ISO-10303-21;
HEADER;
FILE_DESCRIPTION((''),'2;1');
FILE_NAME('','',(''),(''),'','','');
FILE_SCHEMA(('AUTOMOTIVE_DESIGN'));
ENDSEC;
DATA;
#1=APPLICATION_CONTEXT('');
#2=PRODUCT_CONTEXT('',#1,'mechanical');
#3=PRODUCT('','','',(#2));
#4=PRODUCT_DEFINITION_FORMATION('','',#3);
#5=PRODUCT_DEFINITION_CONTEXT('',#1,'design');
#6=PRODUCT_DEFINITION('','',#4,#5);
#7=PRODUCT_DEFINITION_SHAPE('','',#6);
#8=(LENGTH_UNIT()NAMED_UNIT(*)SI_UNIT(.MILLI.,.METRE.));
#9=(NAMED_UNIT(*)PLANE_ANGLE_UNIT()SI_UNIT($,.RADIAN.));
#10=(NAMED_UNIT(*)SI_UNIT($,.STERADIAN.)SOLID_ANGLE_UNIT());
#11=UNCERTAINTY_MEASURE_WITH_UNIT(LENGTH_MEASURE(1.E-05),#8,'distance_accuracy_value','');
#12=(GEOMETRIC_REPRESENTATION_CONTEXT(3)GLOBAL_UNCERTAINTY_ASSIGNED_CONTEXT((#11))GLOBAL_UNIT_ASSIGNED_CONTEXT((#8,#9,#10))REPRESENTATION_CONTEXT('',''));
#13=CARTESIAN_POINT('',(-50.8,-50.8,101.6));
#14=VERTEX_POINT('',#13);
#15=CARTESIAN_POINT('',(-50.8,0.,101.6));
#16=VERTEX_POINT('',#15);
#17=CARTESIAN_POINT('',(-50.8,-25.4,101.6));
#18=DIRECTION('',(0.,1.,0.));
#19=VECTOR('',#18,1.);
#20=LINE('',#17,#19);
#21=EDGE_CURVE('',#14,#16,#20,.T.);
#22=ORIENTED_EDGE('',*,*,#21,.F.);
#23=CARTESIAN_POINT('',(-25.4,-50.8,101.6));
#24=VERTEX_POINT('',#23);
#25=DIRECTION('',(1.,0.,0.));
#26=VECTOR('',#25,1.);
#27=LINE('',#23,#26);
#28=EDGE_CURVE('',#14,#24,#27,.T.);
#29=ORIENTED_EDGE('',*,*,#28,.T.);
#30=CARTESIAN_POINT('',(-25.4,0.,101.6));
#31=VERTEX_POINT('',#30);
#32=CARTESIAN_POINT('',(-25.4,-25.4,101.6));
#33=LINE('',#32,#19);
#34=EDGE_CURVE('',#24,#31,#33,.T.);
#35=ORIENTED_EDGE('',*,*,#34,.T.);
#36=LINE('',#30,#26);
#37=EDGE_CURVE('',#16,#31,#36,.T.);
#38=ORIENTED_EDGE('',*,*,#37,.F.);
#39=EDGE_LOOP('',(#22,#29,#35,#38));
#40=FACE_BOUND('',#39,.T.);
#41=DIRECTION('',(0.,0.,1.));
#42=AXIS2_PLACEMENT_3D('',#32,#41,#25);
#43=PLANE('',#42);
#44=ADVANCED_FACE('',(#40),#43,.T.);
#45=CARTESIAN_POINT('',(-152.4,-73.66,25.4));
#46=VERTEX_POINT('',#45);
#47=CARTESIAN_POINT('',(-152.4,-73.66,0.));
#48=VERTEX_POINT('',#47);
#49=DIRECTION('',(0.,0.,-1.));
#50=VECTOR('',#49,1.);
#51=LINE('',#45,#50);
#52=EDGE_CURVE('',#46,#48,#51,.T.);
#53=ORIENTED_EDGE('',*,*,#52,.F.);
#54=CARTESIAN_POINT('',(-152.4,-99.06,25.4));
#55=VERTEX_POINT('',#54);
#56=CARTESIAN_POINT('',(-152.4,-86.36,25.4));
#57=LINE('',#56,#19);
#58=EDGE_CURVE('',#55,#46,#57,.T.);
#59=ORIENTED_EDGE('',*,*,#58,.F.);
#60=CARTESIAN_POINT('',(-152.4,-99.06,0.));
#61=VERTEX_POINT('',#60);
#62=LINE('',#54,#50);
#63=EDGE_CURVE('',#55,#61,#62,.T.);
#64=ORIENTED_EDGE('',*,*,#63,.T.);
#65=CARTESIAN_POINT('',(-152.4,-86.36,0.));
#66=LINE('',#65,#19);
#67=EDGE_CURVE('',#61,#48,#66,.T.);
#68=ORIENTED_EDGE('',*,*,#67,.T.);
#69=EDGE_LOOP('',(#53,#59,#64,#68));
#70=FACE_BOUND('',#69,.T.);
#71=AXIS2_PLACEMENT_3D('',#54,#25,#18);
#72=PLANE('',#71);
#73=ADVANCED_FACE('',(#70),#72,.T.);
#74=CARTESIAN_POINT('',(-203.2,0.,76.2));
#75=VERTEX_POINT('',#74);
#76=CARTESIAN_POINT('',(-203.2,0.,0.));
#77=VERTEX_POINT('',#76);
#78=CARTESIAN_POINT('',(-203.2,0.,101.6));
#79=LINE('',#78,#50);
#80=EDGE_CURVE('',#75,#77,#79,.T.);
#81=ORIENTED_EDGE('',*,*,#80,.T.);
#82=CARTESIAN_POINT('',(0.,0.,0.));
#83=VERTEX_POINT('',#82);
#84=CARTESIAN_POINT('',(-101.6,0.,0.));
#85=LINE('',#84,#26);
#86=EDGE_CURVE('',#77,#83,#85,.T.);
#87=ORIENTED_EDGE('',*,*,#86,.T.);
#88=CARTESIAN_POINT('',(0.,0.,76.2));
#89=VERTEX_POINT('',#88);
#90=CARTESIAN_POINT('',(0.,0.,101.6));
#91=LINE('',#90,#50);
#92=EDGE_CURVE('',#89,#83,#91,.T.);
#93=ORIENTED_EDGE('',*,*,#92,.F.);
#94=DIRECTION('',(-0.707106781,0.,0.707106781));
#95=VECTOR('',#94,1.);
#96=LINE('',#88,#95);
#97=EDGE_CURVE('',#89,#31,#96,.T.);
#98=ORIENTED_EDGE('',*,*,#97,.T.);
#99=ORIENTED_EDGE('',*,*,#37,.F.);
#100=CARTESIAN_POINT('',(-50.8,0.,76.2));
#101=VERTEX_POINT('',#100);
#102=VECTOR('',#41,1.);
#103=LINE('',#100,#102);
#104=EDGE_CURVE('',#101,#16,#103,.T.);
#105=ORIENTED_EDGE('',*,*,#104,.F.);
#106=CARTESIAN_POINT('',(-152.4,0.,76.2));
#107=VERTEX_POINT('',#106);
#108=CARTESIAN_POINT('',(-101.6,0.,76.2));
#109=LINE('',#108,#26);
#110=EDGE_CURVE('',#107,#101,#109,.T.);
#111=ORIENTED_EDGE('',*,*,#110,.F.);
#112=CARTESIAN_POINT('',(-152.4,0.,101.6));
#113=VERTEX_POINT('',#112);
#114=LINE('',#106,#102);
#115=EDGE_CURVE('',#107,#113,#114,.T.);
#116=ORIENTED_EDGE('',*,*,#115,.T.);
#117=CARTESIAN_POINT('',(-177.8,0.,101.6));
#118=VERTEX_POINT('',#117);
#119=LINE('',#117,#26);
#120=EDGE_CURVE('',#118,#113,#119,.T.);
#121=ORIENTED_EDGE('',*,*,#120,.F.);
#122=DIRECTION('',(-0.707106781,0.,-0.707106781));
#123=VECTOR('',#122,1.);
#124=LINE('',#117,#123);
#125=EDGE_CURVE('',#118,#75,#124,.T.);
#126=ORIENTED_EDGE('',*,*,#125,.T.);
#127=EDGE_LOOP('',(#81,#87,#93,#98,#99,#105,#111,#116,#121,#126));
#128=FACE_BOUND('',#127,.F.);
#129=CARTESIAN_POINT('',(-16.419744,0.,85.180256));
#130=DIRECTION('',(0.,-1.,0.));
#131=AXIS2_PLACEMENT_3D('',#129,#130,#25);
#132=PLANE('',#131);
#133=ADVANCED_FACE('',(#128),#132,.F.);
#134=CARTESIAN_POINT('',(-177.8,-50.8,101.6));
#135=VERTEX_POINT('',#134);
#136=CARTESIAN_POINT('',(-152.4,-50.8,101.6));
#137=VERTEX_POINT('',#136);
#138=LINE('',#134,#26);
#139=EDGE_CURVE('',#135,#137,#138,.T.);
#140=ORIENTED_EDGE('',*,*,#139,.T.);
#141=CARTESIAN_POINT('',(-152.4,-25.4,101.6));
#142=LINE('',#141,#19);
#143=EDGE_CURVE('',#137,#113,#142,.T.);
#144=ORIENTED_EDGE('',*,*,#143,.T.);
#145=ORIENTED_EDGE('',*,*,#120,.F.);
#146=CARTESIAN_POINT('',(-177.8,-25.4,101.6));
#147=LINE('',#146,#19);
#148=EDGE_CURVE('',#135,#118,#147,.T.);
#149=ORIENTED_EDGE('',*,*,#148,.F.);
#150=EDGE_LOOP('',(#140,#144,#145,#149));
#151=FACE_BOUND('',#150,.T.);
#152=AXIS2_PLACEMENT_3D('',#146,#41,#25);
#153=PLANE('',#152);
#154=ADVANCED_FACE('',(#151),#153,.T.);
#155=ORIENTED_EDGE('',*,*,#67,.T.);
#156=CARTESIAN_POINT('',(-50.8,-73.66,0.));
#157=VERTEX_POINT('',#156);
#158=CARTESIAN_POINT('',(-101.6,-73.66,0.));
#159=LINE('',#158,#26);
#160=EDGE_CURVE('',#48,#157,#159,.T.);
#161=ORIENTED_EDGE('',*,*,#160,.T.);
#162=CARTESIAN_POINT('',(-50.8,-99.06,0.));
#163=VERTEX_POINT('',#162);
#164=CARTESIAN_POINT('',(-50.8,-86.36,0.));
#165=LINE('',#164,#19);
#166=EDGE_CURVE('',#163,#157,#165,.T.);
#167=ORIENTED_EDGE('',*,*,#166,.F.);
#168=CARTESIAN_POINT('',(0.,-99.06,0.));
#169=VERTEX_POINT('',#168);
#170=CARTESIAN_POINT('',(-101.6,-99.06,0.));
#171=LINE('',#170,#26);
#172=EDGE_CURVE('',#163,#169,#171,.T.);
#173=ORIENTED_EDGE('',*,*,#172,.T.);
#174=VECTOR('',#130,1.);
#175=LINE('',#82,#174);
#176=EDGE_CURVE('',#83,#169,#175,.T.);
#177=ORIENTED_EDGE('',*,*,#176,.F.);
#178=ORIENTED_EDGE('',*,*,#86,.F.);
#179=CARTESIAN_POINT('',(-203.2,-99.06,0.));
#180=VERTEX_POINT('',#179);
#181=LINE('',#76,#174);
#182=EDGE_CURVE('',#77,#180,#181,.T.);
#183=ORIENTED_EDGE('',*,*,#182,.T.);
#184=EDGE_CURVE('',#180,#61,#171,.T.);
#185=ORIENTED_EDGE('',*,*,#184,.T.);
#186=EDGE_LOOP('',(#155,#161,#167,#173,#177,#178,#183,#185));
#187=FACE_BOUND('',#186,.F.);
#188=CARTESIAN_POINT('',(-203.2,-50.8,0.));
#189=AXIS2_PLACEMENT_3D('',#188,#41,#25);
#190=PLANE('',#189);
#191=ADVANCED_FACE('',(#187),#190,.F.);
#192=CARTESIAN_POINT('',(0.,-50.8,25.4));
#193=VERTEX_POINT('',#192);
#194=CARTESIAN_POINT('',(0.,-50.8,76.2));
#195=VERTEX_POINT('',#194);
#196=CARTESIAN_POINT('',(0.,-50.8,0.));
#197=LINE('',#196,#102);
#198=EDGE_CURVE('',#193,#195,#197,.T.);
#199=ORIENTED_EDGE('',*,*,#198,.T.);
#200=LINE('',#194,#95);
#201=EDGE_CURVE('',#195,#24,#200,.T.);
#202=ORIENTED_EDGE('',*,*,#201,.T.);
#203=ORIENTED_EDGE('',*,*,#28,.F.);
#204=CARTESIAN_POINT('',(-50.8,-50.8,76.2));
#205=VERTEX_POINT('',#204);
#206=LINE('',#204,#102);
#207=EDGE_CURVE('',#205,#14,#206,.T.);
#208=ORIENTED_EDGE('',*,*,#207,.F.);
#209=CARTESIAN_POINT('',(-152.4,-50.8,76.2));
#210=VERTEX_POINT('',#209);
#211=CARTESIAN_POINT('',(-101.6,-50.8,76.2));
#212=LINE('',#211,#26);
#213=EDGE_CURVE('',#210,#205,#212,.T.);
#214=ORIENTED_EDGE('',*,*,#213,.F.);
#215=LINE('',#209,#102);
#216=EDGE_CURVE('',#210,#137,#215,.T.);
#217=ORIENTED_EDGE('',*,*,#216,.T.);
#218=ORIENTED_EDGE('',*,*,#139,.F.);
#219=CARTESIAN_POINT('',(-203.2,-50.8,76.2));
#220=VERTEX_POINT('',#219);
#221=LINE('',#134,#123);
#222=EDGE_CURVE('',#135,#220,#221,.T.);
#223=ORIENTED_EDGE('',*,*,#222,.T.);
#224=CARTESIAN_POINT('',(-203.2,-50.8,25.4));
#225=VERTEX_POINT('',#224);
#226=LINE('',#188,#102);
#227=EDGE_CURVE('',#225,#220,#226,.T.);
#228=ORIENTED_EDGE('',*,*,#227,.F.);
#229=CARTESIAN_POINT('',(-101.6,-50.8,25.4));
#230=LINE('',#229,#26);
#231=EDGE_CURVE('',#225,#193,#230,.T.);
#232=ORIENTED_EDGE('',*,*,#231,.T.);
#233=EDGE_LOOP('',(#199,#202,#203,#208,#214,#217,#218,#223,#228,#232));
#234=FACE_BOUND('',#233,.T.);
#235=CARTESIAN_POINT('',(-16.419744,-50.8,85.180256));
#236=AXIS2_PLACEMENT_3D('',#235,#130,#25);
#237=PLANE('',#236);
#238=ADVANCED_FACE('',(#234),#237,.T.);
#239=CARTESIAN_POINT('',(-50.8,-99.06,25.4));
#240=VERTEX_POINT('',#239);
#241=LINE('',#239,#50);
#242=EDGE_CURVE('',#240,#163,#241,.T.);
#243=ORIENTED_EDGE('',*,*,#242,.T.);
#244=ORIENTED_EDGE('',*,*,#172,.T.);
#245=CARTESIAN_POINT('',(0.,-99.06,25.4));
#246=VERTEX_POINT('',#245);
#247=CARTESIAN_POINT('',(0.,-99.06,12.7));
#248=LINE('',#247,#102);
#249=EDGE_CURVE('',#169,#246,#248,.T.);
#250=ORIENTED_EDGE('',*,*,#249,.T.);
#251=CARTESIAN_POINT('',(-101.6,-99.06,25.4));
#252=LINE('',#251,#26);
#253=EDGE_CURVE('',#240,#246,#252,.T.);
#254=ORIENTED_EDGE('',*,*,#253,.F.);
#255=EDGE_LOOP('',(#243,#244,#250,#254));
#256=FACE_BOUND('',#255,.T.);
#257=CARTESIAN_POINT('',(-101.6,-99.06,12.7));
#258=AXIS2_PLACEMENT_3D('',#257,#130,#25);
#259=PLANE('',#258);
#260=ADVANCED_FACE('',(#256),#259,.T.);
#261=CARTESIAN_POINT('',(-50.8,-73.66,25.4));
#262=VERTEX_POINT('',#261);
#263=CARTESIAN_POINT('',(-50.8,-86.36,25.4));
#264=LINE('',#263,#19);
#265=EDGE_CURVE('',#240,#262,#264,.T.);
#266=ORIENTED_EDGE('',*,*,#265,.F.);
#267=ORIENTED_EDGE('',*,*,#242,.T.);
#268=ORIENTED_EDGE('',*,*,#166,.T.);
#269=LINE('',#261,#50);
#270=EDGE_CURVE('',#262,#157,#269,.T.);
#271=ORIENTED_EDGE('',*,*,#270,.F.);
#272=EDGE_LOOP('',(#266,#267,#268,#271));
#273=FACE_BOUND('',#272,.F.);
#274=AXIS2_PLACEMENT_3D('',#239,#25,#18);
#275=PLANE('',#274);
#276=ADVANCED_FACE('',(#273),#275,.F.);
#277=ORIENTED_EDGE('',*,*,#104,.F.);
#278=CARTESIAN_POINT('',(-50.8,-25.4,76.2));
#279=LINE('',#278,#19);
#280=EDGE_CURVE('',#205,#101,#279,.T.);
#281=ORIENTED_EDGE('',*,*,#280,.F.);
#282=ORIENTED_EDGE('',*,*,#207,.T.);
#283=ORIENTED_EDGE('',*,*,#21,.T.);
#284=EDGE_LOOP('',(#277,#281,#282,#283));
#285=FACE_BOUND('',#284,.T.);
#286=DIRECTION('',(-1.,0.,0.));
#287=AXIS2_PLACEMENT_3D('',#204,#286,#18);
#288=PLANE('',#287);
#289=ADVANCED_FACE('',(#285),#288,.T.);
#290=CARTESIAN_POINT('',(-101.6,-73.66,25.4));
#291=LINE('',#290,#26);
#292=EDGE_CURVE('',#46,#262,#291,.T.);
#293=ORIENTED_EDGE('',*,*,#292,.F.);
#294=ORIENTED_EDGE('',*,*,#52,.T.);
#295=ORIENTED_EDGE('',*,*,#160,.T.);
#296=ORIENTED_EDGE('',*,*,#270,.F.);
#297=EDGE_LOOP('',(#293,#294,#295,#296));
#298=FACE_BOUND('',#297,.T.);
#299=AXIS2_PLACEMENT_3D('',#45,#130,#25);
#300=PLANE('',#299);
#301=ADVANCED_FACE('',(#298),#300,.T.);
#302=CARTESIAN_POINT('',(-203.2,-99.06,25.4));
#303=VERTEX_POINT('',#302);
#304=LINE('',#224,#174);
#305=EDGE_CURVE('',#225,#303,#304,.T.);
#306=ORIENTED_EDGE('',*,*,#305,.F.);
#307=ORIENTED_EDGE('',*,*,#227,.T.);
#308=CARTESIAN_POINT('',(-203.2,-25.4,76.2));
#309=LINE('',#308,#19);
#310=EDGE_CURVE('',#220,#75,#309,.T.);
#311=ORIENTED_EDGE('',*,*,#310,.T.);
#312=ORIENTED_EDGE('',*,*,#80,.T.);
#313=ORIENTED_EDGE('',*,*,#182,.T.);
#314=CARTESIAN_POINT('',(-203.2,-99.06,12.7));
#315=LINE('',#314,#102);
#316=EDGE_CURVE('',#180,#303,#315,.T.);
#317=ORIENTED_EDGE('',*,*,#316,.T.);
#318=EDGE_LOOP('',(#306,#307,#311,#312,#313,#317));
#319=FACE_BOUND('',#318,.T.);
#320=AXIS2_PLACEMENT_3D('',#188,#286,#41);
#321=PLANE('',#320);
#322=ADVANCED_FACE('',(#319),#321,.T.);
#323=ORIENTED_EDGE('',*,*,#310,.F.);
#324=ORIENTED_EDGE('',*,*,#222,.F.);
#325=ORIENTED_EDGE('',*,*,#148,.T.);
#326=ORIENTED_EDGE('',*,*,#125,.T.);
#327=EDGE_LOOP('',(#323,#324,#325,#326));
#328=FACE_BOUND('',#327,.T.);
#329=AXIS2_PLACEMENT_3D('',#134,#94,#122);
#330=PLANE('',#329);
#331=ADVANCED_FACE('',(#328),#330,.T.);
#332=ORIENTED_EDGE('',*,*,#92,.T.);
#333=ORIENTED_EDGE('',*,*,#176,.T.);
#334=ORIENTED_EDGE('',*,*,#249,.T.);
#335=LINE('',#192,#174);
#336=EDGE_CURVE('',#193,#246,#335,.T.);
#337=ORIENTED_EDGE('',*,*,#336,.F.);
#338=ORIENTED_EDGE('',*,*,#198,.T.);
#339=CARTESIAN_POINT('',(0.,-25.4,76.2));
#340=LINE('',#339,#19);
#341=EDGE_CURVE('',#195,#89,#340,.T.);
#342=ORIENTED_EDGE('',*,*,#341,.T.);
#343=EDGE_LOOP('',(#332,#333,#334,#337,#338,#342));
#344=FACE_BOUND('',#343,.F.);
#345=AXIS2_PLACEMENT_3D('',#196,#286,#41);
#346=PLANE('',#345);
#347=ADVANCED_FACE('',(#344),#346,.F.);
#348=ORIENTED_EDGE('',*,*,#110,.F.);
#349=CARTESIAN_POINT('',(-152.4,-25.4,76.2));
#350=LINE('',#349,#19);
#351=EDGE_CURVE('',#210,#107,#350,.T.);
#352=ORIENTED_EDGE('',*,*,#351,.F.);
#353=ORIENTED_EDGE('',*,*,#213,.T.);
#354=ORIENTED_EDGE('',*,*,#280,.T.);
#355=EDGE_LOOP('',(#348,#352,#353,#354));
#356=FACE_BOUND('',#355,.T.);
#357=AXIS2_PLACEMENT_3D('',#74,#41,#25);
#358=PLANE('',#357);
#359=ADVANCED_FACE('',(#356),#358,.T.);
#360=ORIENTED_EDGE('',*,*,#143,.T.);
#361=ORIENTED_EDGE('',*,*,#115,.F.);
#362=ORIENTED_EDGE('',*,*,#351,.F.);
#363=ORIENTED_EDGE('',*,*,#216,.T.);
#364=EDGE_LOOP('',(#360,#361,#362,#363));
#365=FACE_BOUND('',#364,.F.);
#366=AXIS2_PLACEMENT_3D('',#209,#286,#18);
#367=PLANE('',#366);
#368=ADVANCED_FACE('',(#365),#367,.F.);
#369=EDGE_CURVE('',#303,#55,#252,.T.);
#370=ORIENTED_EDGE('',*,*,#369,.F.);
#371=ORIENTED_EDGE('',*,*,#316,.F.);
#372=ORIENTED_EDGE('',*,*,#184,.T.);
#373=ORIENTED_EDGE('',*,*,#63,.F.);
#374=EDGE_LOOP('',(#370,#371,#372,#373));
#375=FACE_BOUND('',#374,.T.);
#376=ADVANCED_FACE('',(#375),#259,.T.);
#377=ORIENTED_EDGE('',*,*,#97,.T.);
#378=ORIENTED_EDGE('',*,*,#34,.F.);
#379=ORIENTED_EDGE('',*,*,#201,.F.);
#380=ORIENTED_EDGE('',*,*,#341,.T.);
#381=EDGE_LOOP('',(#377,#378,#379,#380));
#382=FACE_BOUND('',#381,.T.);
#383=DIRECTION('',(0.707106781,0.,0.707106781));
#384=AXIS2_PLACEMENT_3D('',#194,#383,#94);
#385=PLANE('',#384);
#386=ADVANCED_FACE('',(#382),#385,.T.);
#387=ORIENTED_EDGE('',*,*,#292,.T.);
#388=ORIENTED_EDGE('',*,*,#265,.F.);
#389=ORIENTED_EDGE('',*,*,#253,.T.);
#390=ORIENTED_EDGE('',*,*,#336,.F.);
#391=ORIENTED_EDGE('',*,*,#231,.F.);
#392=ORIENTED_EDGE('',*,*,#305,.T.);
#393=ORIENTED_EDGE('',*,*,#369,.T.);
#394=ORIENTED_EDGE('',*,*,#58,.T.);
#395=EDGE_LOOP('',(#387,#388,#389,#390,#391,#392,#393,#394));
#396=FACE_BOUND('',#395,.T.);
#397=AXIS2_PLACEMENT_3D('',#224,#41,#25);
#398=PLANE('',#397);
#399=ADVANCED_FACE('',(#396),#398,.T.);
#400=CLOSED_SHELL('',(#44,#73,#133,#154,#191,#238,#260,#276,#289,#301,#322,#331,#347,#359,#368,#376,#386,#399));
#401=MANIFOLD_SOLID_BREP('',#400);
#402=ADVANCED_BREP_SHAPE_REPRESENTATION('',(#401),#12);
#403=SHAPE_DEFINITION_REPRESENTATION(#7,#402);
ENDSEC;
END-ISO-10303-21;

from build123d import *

# Parameters (mm, degrees)
F0_W      = 203.2
F0_H      = 76.2
F1_DEPTH  = 50.8
F2_W      = 50.8
F2_H      = 50.8
F3_DEPTH  = 25.4
F4_W      = 203.2
F4_H      = 25.4
F5_DEPTH  = 48.26
F6_W      = 101.6
F6_H      = 25.4
F7_DEPTH  = 25.4
F8_W      = 25.4
F8_H      = 50.8
F9_DEPTH  = 25.4
F11_DEPTH = 50.8


with BuildPart() as f1:
    # F0 (on Front) → F1 (new body)
    with BuildSketch(Plane.XZ):
        with Locations((-101.6, 38.1)):
            Rectangle(F0_W, F0_H)
    extrude(amount=F1_DEPTH)

    # F2 (on face) → F3 (join)
    with BuildSketch(Plane.XY.offset(76.2)):
        with Locations((-177.8, -25.4)):
            Rectangle(F2_W, F2_H)
        with Locations((-25.4, -25.4)):
            Rectangle(F2_W, F2_H)
    extrude(amount=F3_DEPTH)

    # F4 (on face) → F5 (join)
    with BuildSketch(Plane.XZ.offset(50.8)):
        with Locations((-101.6, 12.7)):
            Rectangle(F4_W, F4_H)
    extrude(amount=F5_DEPTH)

    # F6 (on face) → F7 (cut)
    with BuildSketch(Plane.XY.offset(25.4)):
        with Locations((-101.6, -86.36)):
            Rectangle(F6_W, F6_H)
    extrude(amount=-F7_DEPTH, mode=Mode.SUBTRACT)

    # F8 (on face) → F9 (cut)
    with BuildSketch(Plane.XY.offset(101.6)):
        with Locations((-12.7, -25.4)):
            Rectangle(F8_W, F8_H)
        with Locations((-190.5, -25.4)):
            Rectangle(F8_W, F8_H)
    extrude(amount=-F9_DEPTH, mode=Mode.SUBTRACT)

    # F10 (on face) → F11 (join)
    with BuildSketch(Plane.XZ.offset(50.8)):
        Polygon((0, 76.2), (-25.4, 101.6), (-25.4, 76.2), align=None)
        Polygon((-177.8, 101.6), (-203.2, 76.2), (-177.8, 76.2), align=None)
    extrude(amount=-F11_DEPTH)


solid = f1.part
